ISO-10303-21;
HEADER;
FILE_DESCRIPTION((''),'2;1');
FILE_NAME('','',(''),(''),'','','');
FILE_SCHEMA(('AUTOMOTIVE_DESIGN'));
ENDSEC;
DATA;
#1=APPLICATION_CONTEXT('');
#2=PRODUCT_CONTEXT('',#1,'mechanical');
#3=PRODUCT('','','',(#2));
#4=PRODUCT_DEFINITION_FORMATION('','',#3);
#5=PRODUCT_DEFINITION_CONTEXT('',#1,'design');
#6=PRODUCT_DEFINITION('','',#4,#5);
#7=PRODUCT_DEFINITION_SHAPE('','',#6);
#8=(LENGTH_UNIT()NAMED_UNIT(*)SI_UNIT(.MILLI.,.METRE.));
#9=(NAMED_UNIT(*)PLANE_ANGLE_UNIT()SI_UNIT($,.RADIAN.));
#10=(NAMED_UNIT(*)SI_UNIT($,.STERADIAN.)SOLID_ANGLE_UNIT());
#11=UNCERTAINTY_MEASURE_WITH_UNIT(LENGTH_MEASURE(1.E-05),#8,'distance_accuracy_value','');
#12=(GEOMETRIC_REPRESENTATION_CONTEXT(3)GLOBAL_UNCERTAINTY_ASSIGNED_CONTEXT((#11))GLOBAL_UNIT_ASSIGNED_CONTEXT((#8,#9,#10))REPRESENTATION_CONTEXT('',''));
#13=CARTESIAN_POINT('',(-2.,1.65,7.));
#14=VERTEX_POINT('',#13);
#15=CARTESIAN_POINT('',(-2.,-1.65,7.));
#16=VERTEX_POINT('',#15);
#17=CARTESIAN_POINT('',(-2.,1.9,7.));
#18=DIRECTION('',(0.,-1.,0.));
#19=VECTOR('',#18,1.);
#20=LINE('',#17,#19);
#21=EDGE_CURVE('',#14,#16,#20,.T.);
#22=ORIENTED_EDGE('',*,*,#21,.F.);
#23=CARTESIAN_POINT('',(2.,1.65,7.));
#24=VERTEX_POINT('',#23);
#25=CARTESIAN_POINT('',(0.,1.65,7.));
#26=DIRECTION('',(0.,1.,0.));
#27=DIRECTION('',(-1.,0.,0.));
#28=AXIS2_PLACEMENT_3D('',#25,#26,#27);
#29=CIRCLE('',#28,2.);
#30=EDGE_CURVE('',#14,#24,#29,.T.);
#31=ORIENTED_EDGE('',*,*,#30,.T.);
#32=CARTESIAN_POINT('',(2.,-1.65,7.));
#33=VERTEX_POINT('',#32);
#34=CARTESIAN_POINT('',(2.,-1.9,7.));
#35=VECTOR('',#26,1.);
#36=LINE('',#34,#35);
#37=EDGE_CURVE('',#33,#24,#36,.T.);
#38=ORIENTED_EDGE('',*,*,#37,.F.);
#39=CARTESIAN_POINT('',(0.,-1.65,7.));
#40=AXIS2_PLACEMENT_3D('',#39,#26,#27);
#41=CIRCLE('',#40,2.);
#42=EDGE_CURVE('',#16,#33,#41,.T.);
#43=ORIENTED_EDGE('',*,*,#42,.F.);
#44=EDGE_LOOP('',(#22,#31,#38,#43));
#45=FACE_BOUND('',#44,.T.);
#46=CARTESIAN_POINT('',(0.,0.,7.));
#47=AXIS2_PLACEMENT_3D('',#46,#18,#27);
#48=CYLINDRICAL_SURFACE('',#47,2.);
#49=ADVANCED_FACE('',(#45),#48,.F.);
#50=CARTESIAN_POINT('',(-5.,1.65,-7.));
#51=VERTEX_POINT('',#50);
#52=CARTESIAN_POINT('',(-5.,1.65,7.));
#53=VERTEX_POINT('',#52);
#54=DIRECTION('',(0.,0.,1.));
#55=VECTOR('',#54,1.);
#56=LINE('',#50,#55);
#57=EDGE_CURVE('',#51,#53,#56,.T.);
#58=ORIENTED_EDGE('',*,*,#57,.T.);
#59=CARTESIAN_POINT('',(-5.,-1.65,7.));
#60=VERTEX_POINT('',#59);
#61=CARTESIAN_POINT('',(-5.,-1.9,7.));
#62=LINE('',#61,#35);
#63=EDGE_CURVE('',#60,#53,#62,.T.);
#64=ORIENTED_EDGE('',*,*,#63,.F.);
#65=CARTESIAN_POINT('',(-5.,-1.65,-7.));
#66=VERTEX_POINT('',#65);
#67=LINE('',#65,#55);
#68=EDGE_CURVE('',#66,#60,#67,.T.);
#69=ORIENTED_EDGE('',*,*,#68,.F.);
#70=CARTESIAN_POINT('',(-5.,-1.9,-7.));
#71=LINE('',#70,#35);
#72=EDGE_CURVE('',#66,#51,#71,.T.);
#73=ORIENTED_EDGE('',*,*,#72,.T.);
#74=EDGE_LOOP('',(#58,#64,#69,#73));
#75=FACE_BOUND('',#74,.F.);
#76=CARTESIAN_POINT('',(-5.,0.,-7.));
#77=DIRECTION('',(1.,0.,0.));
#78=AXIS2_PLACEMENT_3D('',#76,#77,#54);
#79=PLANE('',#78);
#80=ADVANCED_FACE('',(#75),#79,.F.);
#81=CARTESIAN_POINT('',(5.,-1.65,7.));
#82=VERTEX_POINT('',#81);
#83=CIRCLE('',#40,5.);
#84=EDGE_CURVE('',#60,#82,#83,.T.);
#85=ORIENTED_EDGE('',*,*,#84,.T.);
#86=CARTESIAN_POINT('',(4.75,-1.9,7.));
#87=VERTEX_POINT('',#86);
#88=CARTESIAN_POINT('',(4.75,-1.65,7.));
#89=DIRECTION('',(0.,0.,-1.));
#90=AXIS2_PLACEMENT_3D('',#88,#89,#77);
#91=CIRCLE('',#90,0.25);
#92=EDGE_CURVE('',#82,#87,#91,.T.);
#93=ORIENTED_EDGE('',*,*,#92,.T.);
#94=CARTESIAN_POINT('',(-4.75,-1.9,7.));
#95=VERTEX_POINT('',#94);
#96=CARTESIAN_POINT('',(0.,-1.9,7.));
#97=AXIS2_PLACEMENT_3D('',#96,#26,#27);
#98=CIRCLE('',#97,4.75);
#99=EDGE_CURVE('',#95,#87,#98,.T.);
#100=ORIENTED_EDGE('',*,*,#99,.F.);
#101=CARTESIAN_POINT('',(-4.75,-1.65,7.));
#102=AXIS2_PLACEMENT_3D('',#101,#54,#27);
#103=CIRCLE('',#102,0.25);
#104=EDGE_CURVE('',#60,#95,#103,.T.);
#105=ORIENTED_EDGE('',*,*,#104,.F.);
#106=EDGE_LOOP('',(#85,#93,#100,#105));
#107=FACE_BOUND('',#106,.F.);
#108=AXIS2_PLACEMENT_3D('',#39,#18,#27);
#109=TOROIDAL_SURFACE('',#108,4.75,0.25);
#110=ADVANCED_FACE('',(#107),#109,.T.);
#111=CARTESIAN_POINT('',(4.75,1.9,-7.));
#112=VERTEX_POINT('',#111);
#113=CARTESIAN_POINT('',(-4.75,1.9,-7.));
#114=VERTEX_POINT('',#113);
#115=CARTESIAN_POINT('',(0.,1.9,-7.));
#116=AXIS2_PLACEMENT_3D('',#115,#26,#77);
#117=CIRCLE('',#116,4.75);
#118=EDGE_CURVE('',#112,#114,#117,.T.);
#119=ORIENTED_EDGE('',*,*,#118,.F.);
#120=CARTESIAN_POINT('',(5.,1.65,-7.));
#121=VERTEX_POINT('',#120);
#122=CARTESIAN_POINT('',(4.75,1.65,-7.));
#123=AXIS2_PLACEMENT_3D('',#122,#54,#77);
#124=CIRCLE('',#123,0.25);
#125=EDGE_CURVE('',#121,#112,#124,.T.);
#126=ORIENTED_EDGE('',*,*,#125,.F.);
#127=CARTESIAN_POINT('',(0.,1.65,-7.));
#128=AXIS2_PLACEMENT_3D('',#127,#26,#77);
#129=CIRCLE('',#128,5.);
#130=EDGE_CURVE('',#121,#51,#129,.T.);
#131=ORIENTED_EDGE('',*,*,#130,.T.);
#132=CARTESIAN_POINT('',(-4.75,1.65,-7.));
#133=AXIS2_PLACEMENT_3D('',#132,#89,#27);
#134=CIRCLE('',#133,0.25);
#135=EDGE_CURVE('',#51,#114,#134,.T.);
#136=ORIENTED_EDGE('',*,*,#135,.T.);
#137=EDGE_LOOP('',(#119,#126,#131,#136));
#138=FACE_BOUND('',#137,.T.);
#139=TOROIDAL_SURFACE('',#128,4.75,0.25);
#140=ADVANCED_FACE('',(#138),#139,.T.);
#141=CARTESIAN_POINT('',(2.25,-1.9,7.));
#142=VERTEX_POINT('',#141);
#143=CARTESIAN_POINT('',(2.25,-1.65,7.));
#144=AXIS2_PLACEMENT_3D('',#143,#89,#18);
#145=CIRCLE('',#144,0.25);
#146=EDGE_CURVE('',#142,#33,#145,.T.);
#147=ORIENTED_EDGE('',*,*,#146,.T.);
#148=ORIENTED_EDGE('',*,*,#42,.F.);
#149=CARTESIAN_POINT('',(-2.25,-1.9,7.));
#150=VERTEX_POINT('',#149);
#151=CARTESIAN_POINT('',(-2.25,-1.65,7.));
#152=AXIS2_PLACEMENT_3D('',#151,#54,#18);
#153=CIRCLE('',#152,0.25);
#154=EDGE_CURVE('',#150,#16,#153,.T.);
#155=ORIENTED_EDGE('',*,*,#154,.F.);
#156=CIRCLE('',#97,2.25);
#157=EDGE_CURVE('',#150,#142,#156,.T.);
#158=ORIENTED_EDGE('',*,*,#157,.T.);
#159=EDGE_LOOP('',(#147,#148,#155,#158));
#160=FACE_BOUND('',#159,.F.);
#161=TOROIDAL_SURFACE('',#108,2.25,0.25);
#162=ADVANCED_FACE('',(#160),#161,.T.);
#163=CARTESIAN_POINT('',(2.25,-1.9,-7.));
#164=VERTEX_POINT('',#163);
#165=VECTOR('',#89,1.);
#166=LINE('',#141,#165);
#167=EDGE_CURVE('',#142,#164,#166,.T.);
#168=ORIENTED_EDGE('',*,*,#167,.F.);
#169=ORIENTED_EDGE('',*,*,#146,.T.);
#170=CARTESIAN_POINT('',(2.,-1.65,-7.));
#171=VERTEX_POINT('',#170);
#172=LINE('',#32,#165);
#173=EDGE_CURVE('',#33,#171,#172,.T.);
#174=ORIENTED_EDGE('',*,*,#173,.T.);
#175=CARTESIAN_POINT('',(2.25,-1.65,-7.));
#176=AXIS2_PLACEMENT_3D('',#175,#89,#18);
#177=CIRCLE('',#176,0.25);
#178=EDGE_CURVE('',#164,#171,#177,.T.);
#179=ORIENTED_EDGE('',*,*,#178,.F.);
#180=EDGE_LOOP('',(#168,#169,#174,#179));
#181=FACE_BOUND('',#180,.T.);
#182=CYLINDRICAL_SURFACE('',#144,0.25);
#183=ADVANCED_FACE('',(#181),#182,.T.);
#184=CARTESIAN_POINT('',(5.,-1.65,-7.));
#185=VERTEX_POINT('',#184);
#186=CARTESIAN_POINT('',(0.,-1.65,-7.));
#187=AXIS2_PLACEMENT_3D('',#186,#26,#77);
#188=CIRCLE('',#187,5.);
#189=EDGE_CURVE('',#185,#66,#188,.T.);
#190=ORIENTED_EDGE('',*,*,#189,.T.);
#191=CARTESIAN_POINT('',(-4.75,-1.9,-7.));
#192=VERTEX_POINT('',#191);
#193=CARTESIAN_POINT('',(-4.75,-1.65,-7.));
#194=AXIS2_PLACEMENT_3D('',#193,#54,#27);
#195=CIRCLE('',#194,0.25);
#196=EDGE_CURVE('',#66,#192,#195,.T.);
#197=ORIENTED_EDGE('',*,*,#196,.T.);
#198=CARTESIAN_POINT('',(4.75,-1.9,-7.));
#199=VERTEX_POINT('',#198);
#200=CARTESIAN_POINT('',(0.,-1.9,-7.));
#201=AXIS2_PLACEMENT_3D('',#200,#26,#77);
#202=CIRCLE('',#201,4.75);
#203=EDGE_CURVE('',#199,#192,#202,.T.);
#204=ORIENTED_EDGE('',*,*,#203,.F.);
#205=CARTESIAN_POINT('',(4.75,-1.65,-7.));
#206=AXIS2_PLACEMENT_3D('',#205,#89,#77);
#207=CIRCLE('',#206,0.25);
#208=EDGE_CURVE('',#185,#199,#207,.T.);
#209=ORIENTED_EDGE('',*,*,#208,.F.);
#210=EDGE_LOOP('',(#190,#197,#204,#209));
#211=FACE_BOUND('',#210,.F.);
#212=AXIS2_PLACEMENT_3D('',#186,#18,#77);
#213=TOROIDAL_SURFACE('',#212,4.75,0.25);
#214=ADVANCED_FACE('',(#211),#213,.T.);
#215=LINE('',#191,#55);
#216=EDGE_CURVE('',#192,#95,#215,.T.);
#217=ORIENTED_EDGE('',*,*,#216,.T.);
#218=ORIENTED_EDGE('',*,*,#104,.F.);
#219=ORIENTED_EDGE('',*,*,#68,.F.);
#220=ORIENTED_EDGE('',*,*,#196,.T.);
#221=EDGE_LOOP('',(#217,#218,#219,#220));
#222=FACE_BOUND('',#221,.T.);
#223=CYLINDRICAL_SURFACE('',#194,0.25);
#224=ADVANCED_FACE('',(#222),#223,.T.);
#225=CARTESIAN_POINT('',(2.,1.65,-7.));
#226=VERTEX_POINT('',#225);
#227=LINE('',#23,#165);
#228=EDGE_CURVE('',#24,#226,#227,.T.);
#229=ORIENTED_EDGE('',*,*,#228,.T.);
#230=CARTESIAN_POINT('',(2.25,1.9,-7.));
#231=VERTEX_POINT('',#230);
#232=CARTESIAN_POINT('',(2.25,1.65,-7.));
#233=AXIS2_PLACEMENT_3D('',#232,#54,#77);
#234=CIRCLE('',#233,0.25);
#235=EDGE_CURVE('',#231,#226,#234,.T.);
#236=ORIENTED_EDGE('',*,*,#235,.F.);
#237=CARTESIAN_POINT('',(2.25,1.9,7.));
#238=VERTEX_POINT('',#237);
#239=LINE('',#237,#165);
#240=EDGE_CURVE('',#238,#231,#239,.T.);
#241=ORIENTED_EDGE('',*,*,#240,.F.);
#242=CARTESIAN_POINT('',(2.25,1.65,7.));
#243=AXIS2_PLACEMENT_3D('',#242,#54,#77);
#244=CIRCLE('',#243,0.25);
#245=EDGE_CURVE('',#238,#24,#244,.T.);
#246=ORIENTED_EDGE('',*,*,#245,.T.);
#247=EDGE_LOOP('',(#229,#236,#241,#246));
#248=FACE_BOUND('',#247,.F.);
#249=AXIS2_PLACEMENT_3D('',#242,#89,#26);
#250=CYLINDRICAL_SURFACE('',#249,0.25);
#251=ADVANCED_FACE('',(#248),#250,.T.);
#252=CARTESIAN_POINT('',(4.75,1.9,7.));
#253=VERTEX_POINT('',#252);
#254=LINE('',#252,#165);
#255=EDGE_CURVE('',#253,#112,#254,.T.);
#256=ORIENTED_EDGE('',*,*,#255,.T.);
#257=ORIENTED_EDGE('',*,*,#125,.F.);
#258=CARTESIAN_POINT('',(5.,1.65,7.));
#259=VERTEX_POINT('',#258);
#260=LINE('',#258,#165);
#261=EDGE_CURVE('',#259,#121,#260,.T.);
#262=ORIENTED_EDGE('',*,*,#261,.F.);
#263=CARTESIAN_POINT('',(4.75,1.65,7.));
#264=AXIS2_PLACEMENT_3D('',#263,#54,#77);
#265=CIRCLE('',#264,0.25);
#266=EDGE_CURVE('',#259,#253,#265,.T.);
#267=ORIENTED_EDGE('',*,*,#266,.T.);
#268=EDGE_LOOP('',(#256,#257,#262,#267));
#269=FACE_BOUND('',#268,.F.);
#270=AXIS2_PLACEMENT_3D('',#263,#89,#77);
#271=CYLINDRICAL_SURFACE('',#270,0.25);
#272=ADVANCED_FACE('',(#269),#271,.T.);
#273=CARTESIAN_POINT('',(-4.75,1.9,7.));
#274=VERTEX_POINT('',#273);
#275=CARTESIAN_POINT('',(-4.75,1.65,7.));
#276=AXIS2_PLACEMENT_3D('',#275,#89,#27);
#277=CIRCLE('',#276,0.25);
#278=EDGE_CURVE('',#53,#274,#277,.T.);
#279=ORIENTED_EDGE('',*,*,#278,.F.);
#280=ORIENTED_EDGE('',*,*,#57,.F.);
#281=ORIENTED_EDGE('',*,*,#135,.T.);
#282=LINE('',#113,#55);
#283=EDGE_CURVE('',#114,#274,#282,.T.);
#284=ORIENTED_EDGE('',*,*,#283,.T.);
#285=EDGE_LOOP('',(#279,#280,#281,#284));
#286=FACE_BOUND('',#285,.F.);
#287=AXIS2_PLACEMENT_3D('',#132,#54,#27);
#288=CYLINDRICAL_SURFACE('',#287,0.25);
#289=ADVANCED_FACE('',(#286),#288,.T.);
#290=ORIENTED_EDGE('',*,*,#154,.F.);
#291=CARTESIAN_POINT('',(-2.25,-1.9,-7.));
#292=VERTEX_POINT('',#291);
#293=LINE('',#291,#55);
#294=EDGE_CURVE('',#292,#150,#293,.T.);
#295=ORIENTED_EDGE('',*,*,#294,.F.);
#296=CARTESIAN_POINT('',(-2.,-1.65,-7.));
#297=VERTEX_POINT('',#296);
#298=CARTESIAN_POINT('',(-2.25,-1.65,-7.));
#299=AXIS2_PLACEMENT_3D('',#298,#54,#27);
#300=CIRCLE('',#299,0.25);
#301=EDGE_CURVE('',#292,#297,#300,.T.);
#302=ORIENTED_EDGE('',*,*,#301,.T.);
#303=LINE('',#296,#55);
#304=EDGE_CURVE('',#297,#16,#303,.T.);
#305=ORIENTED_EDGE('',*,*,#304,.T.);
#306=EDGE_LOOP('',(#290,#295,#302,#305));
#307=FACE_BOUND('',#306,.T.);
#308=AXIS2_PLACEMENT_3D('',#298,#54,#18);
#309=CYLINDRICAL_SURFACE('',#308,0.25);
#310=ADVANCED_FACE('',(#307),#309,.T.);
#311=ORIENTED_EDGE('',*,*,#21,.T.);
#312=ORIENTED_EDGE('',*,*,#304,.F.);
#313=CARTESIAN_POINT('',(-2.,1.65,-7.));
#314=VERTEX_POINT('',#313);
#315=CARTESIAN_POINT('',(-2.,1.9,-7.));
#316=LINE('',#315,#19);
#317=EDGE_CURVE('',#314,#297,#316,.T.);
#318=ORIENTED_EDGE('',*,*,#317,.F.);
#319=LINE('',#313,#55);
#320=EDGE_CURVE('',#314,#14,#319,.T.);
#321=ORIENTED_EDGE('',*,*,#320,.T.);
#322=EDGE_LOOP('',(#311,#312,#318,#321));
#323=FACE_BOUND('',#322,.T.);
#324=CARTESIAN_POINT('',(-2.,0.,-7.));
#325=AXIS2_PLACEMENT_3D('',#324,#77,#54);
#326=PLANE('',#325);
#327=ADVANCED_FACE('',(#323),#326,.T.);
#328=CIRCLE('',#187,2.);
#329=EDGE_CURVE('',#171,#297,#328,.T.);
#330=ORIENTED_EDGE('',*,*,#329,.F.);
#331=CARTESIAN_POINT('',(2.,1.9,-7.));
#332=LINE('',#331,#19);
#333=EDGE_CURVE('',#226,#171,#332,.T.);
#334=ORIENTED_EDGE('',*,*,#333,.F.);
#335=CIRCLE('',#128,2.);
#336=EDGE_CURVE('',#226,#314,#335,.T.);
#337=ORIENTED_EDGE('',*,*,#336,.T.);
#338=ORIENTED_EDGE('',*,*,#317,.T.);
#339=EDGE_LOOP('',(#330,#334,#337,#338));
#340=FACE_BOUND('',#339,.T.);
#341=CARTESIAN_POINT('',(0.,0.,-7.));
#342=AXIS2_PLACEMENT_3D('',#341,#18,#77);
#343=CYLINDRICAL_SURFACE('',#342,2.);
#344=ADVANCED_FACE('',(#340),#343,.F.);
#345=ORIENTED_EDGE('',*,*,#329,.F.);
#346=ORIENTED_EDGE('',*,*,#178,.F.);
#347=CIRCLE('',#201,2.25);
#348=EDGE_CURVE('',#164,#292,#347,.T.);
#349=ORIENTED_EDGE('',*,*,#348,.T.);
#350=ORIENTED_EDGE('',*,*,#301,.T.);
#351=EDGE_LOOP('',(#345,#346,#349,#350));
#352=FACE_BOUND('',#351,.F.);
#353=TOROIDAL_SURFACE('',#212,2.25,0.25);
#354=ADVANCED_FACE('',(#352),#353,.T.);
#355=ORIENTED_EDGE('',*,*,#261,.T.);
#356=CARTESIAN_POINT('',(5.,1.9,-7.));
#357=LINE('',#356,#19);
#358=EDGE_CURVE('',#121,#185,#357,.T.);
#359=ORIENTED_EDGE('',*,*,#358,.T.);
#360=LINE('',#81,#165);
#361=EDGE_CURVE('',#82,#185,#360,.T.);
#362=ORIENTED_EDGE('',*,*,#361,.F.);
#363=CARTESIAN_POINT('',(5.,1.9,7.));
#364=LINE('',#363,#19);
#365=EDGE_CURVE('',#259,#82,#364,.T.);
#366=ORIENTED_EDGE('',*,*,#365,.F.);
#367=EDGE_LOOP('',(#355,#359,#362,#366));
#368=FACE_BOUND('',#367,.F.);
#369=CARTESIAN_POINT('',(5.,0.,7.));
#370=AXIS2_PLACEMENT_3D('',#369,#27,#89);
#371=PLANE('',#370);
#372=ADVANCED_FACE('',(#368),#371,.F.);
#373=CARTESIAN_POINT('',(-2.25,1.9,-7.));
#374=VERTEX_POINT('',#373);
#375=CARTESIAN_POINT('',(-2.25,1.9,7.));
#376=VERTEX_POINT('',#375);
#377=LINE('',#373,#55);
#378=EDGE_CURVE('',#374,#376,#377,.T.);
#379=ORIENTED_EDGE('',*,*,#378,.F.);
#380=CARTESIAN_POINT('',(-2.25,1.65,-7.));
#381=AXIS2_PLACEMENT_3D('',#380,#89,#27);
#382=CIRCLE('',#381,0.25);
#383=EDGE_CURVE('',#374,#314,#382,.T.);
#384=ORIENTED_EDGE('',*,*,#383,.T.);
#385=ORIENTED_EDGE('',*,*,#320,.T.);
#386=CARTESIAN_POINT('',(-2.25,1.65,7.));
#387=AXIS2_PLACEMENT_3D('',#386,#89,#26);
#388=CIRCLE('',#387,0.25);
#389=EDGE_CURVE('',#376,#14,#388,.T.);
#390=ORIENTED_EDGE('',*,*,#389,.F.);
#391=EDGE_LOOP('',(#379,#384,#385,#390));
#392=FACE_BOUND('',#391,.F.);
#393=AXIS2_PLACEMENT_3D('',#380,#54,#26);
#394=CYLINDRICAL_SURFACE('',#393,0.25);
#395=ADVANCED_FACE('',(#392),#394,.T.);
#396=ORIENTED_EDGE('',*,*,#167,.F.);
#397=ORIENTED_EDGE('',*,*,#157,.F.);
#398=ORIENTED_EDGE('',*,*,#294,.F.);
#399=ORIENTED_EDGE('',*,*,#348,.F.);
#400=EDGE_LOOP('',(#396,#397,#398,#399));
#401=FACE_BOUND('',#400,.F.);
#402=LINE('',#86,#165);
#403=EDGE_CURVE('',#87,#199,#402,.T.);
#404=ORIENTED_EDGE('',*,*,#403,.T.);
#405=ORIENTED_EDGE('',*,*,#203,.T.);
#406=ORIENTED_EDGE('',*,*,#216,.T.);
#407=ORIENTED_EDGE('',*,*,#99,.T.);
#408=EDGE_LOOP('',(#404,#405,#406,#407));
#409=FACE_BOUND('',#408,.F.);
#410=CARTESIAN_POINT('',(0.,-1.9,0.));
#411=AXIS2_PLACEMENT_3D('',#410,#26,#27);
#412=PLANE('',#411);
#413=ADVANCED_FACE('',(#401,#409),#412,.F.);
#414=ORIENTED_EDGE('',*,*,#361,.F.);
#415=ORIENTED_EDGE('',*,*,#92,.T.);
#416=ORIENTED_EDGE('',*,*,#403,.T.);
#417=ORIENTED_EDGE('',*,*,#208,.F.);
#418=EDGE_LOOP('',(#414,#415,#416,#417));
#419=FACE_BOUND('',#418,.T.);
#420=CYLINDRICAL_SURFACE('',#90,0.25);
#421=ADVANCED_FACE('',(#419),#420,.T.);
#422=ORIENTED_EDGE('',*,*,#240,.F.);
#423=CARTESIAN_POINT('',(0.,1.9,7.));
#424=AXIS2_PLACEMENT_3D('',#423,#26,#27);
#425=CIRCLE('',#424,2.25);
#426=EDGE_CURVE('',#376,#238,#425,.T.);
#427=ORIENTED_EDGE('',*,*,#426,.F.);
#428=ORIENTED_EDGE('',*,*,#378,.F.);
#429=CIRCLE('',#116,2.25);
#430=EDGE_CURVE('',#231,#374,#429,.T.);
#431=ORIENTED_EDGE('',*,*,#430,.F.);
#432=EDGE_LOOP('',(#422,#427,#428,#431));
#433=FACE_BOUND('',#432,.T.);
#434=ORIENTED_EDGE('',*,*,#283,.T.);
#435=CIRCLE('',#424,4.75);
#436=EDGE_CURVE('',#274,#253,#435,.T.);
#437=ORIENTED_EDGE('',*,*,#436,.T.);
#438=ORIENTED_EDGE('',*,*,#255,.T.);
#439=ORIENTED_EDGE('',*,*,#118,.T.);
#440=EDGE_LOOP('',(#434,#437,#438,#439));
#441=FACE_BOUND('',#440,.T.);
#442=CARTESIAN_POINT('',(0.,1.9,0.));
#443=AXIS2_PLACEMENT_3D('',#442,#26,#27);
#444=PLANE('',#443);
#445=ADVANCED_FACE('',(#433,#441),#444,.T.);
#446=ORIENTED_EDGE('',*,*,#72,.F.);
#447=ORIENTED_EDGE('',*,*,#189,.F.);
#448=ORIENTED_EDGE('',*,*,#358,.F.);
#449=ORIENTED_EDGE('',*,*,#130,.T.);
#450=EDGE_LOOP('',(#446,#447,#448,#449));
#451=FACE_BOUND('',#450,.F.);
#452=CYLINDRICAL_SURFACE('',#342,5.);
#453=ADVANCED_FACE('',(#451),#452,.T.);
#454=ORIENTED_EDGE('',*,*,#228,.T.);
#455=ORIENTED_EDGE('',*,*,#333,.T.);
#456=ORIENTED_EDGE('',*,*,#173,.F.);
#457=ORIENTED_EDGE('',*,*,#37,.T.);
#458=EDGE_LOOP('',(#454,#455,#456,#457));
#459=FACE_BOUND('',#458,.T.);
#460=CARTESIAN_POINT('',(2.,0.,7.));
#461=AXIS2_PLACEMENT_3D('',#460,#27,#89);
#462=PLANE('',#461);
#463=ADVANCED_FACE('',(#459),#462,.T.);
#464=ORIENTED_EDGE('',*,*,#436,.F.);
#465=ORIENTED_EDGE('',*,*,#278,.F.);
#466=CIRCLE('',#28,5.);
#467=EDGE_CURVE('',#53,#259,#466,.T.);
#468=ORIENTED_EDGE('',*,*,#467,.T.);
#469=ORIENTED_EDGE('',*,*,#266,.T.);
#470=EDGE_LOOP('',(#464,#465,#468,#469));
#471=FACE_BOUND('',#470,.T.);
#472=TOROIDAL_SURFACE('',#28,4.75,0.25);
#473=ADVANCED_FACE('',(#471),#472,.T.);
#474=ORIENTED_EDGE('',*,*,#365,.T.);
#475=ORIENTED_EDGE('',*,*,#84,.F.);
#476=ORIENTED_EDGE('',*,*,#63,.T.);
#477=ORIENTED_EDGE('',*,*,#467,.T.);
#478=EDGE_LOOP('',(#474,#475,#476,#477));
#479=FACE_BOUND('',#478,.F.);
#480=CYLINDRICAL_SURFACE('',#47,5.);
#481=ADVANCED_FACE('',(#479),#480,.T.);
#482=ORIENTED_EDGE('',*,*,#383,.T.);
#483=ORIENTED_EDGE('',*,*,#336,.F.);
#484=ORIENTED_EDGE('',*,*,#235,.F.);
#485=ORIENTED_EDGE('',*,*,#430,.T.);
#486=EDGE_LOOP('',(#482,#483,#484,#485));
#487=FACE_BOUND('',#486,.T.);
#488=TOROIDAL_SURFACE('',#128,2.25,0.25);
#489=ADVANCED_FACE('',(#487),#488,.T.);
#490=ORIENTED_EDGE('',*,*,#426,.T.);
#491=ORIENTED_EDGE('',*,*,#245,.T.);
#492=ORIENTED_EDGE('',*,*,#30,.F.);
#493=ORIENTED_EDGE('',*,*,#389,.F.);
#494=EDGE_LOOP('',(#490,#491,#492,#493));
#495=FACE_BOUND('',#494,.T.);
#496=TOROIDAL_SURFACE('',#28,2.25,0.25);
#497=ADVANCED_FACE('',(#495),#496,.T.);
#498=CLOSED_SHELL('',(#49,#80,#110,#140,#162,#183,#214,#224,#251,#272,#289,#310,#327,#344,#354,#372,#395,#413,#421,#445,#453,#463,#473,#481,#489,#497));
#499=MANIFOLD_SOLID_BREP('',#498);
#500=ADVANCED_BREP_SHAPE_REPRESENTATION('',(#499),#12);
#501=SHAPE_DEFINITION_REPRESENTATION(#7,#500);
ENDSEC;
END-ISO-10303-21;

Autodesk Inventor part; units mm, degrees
ref_plane "YZ Plane" through (0, 0, 0) normal (1, 0, 0) x (0, 1, 0)
ref_plane "XZ Plane" through (0, 0, 0) normal (0, 1, 0) x (-1, 0, 0)
ref_plane "XY Plane" through (0, 0, 0) normal (0, 0, 1) x (1, 0, 0)
sketch "Sketch11" plane through (0, 0, 0) normal (0, 1, 0) x (-1, 0, 0)
  line L0 (0, 7) -> (0, -7) construction
  line L1 (-2, 7) -> (-2, -7)
  line L2 (2, -7) -> (2, 7)
  arc A0 (2, 7) -> (-2, 7) centre (0, 7) ccw
  arc A1 (-2, -7) -> (2, -7) centre (0, -7) ccw
  line L3 (5, -7) -> (5, 7)
  arc A2 (5, 7) -> (-5, 7) centre (0, 7) ccw
  line L4 (-5, 7) -> (-5, -7)
  arc A3 (-5, -7) -> (5, -7) centre (0, -7) ccw
  point P0 (0, 0)
  dimension "d82" = 14
  dimension "d83" = 10
  dimension "d84" = 3
extrude "Extrusion7" add sketch "Sketch11" along normal mid plane 3.8
fillet "Fillet8" radius 0.25 16 edges at (-5, -1.9, 0) (0, -1.9, -12) (5, -1.9, 0) (0, -1.9, 12) (2, -1.9, 0) (0, -1.9, -9) (-2, -1.9, 0) (0, -1.9, 9) (5, 1.9, 0) (0, 1.9, -12) (-5, 1.9, 0) (0, 1.9, 12) (0, 1.9, -9) (2, 1.9, 0) (0, 1.9, 9) (-2, 1.9, 0)
properties part number "Nema 17 Coil" material "Copper"
